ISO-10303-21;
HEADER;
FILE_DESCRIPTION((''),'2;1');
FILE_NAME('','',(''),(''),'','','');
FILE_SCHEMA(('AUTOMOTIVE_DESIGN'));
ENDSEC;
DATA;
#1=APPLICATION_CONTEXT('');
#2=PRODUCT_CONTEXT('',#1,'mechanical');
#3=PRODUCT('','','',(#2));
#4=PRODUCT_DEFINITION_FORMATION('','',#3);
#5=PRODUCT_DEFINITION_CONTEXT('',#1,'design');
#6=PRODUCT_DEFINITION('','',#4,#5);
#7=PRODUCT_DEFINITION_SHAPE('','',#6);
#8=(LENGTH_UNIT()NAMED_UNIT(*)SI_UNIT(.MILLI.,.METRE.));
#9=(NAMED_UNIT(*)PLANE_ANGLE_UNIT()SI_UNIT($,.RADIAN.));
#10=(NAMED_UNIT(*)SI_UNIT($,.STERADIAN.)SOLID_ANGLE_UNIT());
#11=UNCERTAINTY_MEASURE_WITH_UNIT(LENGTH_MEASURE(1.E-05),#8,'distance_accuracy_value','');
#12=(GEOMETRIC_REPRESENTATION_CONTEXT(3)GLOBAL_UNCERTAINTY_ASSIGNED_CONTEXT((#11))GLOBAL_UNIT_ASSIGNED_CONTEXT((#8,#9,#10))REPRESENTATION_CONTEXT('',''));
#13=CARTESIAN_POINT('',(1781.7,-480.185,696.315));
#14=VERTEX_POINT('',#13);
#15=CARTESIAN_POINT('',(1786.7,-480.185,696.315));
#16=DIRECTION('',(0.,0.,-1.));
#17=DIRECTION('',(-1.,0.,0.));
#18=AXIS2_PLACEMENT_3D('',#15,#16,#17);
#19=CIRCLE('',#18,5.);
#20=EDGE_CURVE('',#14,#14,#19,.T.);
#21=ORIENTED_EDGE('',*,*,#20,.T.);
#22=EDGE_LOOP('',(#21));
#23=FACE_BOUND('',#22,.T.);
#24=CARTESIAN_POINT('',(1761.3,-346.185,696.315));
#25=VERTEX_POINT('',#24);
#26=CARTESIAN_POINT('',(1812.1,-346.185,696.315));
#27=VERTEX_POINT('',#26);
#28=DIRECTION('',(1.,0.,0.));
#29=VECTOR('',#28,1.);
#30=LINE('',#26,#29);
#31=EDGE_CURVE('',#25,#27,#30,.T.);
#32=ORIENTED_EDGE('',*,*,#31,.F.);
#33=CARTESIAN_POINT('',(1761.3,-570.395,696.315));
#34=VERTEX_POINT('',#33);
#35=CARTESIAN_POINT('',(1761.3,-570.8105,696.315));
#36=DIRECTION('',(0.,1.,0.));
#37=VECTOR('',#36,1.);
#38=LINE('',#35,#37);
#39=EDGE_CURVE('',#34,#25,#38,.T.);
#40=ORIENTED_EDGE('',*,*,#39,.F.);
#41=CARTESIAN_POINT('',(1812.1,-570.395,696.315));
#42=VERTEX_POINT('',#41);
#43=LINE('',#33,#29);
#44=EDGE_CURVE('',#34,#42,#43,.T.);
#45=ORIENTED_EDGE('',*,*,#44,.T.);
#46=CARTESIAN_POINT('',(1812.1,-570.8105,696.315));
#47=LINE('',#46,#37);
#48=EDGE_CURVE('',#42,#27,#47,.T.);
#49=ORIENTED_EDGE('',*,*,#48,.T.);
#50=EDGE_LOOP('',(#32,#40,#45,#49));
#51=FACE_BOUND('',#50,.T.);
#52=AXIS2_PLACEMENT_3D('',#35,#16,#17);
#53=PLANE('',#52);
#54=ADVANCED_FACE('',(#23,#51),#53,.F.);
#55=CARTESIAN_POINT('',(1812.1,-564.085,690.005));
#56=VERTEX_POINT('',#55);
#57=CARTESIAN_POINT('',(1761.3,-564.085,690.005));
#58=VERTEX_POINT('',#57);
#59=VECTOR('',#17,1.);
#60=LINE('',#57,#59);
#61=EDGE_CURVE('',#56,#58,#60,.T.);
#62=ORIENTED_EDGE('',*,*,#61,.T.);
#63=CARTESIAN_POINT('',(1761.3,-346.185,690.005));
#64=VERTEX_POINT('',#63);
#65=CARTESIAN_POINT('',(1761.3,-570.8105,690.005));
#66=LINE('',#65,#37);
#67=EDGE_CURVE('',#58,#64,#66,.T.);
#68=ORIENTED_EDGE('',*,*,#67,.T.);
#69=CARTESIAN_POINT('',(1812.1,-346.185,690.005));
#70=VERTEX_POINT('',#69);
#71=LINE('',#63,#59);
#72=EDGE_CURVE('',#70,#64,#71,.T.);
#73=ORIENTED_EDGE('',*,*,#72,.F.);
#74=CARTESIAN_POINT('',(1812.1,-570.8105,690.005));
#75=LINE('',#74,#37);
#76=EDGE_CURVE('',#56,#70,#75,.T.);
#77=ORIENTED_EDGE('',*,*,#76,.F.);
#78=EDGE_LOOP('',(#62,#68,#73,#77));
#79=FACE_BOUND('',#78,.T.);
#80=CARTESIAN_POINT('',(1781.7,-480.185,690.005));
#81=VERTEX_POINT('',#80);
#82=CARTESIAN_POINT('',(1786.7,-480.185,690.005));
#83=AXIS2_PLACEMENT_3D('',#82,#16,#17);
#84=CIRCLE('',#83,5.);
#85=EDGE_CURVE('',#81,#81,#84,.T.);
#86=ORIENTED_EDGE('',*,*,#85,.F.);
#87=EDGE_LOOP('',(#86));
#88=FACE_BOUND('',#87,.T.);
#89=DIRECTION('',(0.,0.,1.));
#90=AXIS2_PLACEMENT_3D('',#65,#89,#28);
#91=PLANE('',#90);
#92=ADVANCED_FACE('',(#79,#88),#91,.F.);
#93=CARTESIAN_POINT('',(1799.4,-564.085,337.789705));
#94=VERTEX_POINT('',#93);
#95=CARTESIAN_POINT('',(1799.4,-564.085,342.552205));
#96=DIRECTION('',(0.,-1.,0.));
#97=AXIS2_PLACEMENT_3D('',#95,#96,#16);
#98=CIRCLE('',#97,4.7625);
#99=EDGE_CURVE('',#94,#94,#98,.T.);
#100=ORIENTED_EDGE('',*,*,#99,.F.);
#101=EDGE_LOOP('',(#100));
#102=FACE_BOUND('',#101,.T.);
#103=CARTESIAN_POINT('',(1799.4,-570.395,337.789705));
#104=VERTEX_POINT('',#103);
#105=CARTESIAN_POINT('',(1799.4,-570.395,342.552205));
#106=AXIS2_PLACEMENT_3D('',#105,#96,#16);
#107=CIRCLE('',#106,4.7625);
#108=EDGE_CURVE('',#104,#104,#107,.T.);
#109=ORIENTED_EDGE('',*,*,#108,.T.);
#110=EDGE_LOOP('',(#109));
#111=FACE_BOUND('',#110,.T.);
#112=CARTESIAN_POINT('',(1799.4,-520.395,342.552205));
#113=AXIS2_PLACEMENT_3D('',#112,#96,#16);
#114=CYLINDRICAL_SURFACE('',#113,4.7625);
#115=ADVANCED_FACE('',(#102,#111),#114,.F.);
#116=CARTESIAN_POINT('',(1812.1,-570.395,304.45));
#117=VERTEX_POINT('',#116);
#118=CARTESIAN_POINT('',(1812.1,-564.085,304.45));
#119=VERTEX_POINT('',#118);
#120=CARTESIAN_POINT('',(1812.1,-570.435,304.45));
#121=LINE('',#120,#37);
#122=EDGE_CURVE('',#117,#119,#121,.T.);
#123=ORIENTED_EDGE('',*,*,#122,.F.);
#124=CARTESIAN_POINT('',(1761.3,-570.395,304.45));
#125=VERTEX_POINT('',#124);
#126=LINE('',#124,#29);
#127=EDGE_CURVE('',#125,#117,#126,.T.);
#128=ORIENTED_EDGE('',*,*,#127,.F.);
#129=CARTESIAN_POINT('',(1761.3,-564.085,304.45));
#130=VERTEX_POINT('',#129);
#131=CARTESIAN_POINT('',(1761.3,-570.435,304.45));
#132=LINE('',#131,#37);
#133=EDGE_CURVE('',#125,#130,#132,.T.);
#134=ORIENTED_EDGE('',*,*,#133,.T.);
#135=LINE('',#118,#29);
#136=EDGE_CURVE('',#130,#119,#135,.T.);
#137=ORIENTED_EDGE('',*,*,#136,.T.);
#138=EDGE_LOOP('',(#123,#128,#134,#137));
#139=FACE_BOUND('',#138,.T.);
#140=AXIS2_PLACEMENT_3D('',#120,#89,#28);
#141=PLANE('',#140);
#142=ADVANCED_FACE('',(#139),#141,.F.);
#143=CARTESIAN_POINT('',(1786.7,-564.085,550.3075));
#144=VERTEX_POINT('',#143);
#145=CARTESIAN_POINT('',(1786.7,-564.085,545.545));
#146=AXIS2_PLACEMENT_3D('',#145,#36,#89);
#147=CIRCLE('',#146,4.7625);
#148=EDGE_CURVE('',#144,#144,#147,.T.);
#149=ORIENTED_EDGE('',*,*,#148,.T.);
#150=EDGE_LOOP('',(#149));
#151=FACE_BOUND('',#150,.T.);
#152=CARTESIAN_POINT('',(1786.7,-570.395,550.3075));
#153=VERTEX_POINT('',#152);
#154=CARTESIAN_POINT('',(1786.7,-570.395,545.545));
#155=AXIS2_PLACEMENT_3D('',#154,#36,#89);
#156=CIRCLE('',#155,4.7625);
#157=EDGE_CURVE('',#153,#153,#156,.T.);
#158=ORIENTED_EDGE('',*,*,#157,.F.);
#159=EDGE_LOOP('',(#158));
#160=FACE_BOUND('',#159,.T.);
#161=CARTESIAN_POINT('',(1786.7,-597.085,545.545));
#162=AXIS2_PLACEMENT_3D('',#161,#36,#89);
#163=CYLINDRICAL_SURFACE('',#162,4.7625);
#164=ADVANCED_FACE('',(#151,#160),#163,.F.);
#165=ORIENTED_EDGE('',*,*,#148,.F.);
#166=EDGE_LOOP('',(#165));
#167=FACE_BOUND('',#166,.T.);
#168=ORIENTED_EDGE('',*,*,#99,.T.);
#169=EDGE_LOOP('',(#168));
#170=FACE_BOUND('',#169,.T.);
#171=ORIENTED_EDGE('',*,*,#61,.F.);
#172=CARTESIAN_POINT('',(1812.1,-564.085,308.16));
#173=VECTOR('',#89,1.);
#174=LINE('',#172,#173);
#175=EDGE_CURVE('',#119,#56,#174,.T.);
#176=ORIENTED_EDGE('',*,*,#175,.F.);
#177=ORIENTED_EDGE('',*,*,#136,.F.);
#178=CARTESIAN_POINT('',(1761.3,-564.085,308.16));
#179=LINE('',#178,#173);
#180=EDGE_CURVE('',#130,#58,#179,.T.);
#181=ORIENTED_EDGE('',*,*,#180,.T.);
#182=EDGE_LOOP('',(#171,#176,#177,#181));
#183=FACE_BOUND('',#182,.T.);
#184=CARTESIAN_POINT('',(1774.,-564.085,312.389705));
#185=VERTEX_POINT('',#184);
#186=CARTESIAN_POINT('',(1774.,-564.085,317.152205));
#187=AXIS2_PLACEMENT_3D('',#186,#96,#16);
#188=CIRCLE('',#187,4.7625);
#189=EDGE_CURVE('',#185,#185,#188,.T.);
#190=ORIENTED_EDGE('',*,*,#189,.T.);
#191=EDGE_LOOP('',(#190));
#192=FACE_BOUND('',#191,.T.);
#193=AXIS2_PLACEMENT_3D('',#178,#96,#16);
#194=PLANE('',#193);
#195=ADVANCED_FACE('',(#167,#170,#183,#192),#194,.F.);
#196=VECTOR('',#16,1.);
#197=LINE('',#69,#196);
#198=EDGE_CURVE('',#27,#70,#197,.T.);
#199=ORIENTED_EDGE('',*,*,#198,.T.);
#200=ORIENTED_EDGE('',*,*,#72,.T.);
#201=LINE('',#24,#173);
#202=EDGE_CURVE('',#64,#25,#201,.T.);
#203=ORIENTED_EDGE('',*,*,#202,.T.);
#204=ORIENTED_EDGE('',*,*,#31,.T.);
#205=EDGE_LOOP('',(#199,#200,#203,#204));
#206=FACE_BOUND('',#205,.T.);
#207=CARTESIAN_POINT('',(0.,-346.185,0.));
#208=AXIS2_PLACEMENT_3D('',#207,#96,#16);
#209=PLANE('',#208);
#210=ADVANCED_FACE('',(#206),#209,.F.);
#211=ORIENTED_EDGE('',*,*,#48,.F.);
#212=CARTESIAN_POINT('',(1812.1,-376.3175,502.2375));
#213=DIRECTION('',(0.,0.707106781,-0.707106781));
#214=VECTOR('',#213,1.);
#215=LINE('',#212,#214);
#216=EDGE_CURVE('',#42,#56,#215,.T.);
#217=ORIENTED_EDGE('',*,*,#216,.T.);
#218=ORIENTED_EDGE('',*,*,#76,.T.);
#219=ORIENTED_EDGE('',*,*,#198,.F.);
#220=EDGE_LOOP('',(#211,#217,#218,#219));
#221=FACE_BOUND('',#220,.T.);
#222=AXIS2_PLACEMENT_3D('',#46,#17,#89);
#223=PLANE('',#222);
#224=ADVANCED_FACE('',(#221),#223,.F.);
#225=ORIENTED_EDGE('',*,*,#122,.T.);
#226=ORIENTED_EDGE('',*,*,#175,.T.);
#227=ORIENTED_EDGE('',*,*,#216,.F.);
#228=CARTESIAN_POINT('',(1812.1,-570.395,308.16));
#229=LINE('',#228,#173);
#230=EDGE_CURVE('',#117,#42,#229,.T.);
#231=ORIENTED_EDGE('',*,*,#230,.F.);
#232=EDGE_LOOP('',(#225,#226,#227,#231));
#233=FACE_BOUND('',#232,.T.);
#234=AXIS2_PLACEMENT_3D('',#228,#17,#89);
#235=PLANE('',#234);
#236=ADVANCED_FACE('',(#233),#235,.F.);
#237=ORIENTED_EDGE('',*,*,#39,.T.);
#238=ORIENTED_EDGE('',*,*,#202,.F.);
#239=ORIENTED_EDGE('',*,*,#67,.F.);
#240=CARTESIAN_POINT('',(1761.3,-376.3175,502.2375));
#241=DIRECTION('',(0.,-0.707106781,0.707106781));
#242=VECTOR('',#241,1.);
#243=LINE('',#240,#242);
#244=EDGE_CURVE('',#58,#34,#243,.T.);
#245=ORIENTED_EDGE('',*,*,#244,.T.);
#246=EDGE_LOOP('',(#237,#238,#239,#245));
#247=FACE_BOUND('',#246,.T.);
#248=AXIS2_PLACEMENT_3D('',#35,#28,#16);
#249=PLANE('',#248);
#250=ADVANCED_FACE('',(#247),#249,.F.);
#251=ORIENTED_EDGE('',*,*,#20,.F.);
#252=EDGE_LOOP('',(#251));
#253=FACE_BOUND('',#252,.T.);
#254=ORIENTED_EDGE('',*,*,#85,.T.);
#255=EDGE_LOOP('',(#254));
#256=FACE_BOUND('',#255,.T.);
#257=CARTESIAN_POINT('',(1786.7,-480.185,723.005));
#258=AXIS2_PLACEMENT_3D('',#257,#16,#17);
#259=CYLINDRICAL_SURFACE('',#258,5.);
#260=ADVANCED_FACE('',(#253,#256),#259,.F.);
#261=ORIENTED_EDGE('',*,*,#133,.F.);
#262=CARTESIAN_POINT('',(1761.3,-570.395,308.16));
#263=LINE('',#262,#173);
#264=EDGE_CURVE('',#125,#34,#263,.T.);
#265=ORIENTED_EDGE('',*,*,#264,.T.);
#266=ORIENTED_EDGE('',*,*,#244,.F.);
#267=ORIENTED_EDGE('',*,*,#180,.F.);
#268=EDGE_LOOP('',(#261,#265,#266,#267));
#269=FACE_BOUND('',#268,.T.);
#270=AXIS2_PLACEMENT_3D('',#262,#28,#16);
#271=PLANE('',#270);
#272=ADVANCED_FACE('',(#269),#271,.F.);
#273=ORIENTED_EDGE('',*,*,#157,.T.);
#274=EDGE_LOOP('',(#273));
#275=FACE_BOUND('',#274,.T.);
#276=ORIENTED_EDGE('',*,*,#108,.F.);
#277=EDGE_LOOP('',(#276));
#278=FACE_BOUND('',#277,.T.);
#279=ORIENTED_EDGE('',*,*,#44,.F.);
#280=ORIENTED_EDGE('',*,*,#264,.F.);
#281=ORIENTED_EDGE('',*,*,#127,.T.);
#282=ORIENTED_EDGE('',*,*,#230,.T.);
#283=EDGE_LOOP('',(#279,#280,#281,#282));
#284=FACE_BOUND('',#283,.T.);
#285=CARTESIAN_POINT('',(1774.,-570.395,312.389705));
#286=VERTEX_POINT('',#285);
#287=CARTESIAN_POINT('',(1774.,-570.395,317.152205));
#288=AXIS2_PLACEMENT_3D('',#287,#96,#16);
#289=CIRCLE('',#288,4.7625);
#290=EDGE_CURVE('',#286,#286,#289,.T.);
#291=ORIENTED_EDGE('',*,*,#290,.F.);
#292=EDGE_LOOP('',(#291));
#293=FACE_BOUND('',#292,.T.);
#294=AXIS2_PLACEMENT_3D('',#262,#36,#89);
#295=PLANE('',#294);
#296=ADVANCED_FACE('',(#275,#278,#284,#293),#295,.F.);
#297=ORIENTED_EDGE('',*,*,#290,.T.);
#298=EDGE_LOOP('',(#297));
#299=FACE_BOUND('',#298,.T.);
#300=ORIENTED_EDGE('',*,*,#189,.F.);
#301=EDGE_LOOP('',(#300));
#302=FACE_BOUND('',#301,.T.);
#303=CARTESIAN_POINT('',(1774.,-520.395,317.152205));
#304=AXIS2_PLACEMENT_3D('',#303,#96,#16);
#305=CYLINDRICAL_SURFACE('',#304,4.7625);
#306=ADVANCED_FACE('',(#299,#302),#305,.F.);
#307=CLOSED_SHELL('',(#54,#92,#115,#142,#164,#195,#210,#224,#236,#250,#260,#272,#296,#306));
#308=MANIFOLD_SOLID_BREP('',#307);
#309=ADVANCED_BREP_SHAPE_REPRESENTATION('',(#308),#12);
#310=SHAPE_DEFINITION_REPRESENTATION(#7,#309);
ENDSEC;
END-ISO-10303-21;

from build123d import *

# Parameters (mm, degrees)
CROQUIS2_W              = 50.8
CROQUIS2_H              = 6.31
CROQUIS3_W              = 50.8
CROQUIS3_H              = 6.31
CROQUIS4_W              = 60
CROQUIS4_H              = 53.155
SALIENTE_EXTRUIR1_DEPTH = 6.31
CROQUIS5_W              = 60
CROQUIS5_H              = 6.31
CORTAR_EXTRUIR1_DEPTH   = 6.31
CORTAR_EXTRUIR2_DEPTH   = 634
CROQUIS8_W              = 50.8
CROQUIS8_H              = 6.31
SALIENTE_EXTRUIR2_DEPTH = 63.5
CROQUIS9_R              = 5
CORTAR_EXTRUIR3_DEPTH   = 10
CROQUIS10_W             = 790.847933
CROQUIS10_H             = 6.31
CORTAR_EXTRUIR4_DEPTH   = 286
CROQUIS11_W             = 50.8
CROQUIS11_H             = 6.31
CROQUIS11_W_2           = 210
CORTAR_EXTRUIR5_DEPTH   = 13.11
CROQUIS12_W             = 50.8
CROQUIS12_H             = 6.31
SALIENTE_EXTRUIR3_DEPTH = 6.35
CROQUIS13_W             = 50.8
CROQUIS13_H             = 6.35
CORTAR_EXTRUIR6_DEPTH   = 6.35
CROQUIS14_W             = 85.847108528
CROQUIS14_H             = 473.639219469
CORTAR_EXTRUIR7_DEPTH   = 137
CROQUIS15_R             = 4.7625
CORTAR_EXTRUIR8_DEPTH   = 33
CROQUIS16_R             = 5
CORTAR_EXTRUIR9_DEPTH   = 33
CROQUIS18_R             = 4.7625
CORTAR_EXTRUIR10_DEPTH  = 50
CROQUIS19_W             = 50.8
CROQUIS19_H             = 6.31
SALIENTE_EXTRUIR4_DEPTH = 100


with BuildPart() as part:
    # Barrer1: sweep along a curve in space
    with BuildLine() as barrer1_path:
        Line((0, 0, 0), (0, -567.24, 0))
        Line((0, -567.24, 0), (0, -567.24, 336.2))
        Line((0, -567.24, 336.2), (1786.7, -567.24, 336.2))
        Line((1786.7, -567.24, 336.2), (1786.7, -567.24, 693.16))
        Line((1786.7, -567.24, 693.16), (1786.7, -436.23, 693.16))
        Line((1786.7, -436.23, 693.16), (1786.7, -436.23, 1487.162933))
    # Croquis2 → Barrer1 (sweep)
    with BuildSketch(Plane(origin=(0, 0, 0), x_dir=(1, 0, 0), z_dir=(0, 1, 0))):
        Rectangle(CROQUIS2_W, CROQUIS2_H)
        with Locations((210, 0)):
            Rectangle(CROQUIS2_W, CROQUIS2_H)
    sweep(path=barrer1_path.line, transition=Transition.RIGHT)

    # Barrer4: sweep along a curve in space
    with BuildLine() as barrer4_path:
        Line((-0.201028049, -3.155, -3.155), (-0.201028049, -3.155, -207.155))
        Line((-0.201028049, -3.155, -207.155), (-0.201028049, -53.155, -207.155))
    # Croquis3 → Barrer4 (sweep)
    with BuildSketch(Plane(origin=(0, 0, -3.155), x_dir=(-1, 0, 0), z_dir=(0, 0, -1))):
        with Locations((-210, -3.155)):
            Rectangle(CROQUIS3_W, CROQUIS3_H)
        with Locations((0, -3.155)):
            Rectangle(CROQUIS3_W, CROQUIS3_H)
    sweep(path=barrer4_path.line, transition=Transition.RIGHT)

    # Croquis4 → Saliente-Extruir1 (add)
    with BuildSketch(Plane(origin=(0, 0, -210.31), x_dir=(-1, 0, 0), z_dir=(0, 0, -1))):
        with Locations((-154.6, -26.5775)):
            Rectangle(CROQUIS4_W, CROQUIS4_H)
    extrude(amount=-SALIENTE_EXTRUIR1_DEPTH)

    # Croquis5 → Cortar-Extruir1 (cut)
    with BuildSketch(Plane.XY.offset(-204)):
        with Locations((154.6, -3.155)):
            Rectangle(CROQUIS5_W, CROQUIS5_H)
    extrude(amount=-CORTAR_EXTRUIR1_DEPTH, mode=Mode.SUBTRACT)

    # Croquis7 → Cortar-Extruir2 (cut)
    with BuildSketch(Plane(origin=(0, 0, 0), x_dir=(1, 0, 0), z_dir=(0, 1, 0))):
        Polygon((1761.3, -361.6), (2022.1, -361.6), (2022.1, 278.600557529), (-188.115947115, 278.600557529), (-188.115947115, -361.6), align=None)
    extrude(amount=-CORTAR_EXTRUIR2_DEPTH, mode=Mode.SUBTRACT)

    # Croquis8 → Saliente-Extruir2 (add)
    with BuildSketch(Plane(origin=(0, 0, 361.6), x_dir=(-1, 0, 0), z_dir=(0, 0, -1))):
        with Locations((-1786.7, -567.24)):
            Rectangle(CROQUIS8_W, CROQUIS8_H)
    extrude(amount=SALIENTE_EXTRUIR2_DEPTH)

    # Croquis9 → Cortar-Extruir3 (cut)
    with BuildSketch(Plane(origin=(0, -433.075, 0), x_dir=(1, 0, 0), z_dir=(0, 1, 0))):
        with Locations(Location((1786.7, -1454.162933, 0), (0, 0, 270))):
            Circle(CROQUIS9_R)
        with Locations(Location((1786.7, -1234.162933, 0), (0, 0, 270))):
            Circle(CROQUIS9_R)
        with Locations(Location((1996.7, -1234.162933, 0), (0, 0, 270))):
            Circle(CROQUIS9_R)
        with Locations(Location((1996.7, -1454.162933, 0), (0, 0, 270))):
            Circle(CROQUIS9_R)
    extrude(amount=-CORTAR_EXTRUIR3_DEPTH, mode=Mode.SUBTRACT)

    # Croquis10 → Cortar-Extruir4 (cut)
    with BuildSketch(Plane(origin=(2022.1, 0, 0), x_dir=(0, 0, -1), z_dir=(1, 0, 0))):
        with Locations((-1091.7389665, -436.23)):
            Rectangle(CROQUIS10_W, CROQUIS10_H)
    extrude(amount=-CORTAR_EXTRUIR4_DEPTH, mode=Mode.SUBTRACT)

    # Croquis11 → Cortar-Extruir5 (cut)
    with BuildSketch(Plane(origin=(0, -433.075, 0), x_dir=(1, 0, 0), z_dir=(0, 1, 0))):
        with Locations((1996.7, -693.16)):
            Rectangle(CROQUIS11_W, CROQUIS11_H)
        with Locations((1866.3, -693.16)):
            Rectangle(CROQUIS11_W_2, CROQUIS11_H)
    extrude(amount=-CORTAR_EXTRUIR5_DEPTH, mode=Mode.SUBTRACT)

    # Croquis12 → Saliente-Extruir3 (add)
    with BuildSketch(Plane(origin=(0, 0, 361.6), x_dir=(-1, 0, 0), z_dir=(0, 0, -1))):
        with Locations((-1996.7, -567.24)):
            Rectangle(CROQUIS12_W, CROQUIS12_H)
    extrude(amount=SALIENTE_EXTRUIR3_DEPTH)

    # Croquis13 → Cortar-Extruir6 (cut)
    with BuildSketch(Plane(origin=(0, -564.085, 0), x_dir=(1, 0, 0), z_dir=(0, 1, 0))):
        with Locations((1786.7, -301.275)):
            Rectangle(CROQUIS13_W, CROQUIS13_H)
    extrude(amount=-CORTAR_EXTRUIR6_DEPTH, mode=Mode.SUBTRACT)

    # Croquis14 → Cortar-Extruir7 (cut)
    with BuildSketch(Plane(origin=(0, -446.185, 0), x_dir=(1, 0, 0), z_dir=(0, 1, 0))):
        with Locations((1999.254154868, -571.717300183)):
            Rectangle(CROQUIS14_W, CROQUIS14_H)
    extrude(amount=-CORTAR_EXTRUIR7_DEPTH, mode=Mode.SUBTRACT)

    # Croquis15 → Cortar-Extruir8 (cut)
    with BuildSketch(Plane(origin=(0, -564.085, 0), x_dir=(1, 0, 0), z_dir=(0, 1, 0))):
        with Locations(Location((1786.7, -545.545, 0), (0, 0, 270))):
            Circle(CROQUIS15_R)
    extrude(amount=-CORTAR_EXTRUIR8_DEPTH, mode=Mode.SUBTRACT)

    # Croquis16 → Cortar-Extruir9 (cut)
    with BuildSketch(Plane(origin=(0, 0, 690.005), x_dir=(-1, 0, 0), z_dir=(0, 0, -1))):
        with Locations((-1786.7, -480.185)):
            Circle(CROQUIS16_R)
    extrude(amount=-CORTAR_EXTRUIR9_DEPTH, mode=Mode.SUBTRACT)

    # Croquis18 → Cortar-Extruir10 (cut)
    with BuildSketch(Plane(origin=(0, -570.395, 0), x_dir=(-1, 0, 0), z_dir=(0, -1, 0))):
        with Locations(Location((-1799.399999999, -342.552204666, 0), (0, 0, 90))):
            Circle(CROQUIS18_R)
        with Locations(Location((-1773.999999999, -317.152204666, 0), (0, 0, 90))):
            Circle(CROQUIS18_R)
    extrude(amount=-CORTAR_EXTRUIR10_DEPTH, mode=Mode.SUBTRACT)

    # Croquis19 → Saliente-Extruir4 (add)
    with BuildSketch(Plane(origin=(0, -446.185, 0), x_dir=(1, 0, 0), z_dir=(0, 1, 0))):
        with Locations((1786.7, -693.16)):
            Rectangle(CROQUIS19_W, CROQUIS19_H)
    extrude(amount=SALIENTE_EXTRUIR4_DEPTH)


solid = part.part
